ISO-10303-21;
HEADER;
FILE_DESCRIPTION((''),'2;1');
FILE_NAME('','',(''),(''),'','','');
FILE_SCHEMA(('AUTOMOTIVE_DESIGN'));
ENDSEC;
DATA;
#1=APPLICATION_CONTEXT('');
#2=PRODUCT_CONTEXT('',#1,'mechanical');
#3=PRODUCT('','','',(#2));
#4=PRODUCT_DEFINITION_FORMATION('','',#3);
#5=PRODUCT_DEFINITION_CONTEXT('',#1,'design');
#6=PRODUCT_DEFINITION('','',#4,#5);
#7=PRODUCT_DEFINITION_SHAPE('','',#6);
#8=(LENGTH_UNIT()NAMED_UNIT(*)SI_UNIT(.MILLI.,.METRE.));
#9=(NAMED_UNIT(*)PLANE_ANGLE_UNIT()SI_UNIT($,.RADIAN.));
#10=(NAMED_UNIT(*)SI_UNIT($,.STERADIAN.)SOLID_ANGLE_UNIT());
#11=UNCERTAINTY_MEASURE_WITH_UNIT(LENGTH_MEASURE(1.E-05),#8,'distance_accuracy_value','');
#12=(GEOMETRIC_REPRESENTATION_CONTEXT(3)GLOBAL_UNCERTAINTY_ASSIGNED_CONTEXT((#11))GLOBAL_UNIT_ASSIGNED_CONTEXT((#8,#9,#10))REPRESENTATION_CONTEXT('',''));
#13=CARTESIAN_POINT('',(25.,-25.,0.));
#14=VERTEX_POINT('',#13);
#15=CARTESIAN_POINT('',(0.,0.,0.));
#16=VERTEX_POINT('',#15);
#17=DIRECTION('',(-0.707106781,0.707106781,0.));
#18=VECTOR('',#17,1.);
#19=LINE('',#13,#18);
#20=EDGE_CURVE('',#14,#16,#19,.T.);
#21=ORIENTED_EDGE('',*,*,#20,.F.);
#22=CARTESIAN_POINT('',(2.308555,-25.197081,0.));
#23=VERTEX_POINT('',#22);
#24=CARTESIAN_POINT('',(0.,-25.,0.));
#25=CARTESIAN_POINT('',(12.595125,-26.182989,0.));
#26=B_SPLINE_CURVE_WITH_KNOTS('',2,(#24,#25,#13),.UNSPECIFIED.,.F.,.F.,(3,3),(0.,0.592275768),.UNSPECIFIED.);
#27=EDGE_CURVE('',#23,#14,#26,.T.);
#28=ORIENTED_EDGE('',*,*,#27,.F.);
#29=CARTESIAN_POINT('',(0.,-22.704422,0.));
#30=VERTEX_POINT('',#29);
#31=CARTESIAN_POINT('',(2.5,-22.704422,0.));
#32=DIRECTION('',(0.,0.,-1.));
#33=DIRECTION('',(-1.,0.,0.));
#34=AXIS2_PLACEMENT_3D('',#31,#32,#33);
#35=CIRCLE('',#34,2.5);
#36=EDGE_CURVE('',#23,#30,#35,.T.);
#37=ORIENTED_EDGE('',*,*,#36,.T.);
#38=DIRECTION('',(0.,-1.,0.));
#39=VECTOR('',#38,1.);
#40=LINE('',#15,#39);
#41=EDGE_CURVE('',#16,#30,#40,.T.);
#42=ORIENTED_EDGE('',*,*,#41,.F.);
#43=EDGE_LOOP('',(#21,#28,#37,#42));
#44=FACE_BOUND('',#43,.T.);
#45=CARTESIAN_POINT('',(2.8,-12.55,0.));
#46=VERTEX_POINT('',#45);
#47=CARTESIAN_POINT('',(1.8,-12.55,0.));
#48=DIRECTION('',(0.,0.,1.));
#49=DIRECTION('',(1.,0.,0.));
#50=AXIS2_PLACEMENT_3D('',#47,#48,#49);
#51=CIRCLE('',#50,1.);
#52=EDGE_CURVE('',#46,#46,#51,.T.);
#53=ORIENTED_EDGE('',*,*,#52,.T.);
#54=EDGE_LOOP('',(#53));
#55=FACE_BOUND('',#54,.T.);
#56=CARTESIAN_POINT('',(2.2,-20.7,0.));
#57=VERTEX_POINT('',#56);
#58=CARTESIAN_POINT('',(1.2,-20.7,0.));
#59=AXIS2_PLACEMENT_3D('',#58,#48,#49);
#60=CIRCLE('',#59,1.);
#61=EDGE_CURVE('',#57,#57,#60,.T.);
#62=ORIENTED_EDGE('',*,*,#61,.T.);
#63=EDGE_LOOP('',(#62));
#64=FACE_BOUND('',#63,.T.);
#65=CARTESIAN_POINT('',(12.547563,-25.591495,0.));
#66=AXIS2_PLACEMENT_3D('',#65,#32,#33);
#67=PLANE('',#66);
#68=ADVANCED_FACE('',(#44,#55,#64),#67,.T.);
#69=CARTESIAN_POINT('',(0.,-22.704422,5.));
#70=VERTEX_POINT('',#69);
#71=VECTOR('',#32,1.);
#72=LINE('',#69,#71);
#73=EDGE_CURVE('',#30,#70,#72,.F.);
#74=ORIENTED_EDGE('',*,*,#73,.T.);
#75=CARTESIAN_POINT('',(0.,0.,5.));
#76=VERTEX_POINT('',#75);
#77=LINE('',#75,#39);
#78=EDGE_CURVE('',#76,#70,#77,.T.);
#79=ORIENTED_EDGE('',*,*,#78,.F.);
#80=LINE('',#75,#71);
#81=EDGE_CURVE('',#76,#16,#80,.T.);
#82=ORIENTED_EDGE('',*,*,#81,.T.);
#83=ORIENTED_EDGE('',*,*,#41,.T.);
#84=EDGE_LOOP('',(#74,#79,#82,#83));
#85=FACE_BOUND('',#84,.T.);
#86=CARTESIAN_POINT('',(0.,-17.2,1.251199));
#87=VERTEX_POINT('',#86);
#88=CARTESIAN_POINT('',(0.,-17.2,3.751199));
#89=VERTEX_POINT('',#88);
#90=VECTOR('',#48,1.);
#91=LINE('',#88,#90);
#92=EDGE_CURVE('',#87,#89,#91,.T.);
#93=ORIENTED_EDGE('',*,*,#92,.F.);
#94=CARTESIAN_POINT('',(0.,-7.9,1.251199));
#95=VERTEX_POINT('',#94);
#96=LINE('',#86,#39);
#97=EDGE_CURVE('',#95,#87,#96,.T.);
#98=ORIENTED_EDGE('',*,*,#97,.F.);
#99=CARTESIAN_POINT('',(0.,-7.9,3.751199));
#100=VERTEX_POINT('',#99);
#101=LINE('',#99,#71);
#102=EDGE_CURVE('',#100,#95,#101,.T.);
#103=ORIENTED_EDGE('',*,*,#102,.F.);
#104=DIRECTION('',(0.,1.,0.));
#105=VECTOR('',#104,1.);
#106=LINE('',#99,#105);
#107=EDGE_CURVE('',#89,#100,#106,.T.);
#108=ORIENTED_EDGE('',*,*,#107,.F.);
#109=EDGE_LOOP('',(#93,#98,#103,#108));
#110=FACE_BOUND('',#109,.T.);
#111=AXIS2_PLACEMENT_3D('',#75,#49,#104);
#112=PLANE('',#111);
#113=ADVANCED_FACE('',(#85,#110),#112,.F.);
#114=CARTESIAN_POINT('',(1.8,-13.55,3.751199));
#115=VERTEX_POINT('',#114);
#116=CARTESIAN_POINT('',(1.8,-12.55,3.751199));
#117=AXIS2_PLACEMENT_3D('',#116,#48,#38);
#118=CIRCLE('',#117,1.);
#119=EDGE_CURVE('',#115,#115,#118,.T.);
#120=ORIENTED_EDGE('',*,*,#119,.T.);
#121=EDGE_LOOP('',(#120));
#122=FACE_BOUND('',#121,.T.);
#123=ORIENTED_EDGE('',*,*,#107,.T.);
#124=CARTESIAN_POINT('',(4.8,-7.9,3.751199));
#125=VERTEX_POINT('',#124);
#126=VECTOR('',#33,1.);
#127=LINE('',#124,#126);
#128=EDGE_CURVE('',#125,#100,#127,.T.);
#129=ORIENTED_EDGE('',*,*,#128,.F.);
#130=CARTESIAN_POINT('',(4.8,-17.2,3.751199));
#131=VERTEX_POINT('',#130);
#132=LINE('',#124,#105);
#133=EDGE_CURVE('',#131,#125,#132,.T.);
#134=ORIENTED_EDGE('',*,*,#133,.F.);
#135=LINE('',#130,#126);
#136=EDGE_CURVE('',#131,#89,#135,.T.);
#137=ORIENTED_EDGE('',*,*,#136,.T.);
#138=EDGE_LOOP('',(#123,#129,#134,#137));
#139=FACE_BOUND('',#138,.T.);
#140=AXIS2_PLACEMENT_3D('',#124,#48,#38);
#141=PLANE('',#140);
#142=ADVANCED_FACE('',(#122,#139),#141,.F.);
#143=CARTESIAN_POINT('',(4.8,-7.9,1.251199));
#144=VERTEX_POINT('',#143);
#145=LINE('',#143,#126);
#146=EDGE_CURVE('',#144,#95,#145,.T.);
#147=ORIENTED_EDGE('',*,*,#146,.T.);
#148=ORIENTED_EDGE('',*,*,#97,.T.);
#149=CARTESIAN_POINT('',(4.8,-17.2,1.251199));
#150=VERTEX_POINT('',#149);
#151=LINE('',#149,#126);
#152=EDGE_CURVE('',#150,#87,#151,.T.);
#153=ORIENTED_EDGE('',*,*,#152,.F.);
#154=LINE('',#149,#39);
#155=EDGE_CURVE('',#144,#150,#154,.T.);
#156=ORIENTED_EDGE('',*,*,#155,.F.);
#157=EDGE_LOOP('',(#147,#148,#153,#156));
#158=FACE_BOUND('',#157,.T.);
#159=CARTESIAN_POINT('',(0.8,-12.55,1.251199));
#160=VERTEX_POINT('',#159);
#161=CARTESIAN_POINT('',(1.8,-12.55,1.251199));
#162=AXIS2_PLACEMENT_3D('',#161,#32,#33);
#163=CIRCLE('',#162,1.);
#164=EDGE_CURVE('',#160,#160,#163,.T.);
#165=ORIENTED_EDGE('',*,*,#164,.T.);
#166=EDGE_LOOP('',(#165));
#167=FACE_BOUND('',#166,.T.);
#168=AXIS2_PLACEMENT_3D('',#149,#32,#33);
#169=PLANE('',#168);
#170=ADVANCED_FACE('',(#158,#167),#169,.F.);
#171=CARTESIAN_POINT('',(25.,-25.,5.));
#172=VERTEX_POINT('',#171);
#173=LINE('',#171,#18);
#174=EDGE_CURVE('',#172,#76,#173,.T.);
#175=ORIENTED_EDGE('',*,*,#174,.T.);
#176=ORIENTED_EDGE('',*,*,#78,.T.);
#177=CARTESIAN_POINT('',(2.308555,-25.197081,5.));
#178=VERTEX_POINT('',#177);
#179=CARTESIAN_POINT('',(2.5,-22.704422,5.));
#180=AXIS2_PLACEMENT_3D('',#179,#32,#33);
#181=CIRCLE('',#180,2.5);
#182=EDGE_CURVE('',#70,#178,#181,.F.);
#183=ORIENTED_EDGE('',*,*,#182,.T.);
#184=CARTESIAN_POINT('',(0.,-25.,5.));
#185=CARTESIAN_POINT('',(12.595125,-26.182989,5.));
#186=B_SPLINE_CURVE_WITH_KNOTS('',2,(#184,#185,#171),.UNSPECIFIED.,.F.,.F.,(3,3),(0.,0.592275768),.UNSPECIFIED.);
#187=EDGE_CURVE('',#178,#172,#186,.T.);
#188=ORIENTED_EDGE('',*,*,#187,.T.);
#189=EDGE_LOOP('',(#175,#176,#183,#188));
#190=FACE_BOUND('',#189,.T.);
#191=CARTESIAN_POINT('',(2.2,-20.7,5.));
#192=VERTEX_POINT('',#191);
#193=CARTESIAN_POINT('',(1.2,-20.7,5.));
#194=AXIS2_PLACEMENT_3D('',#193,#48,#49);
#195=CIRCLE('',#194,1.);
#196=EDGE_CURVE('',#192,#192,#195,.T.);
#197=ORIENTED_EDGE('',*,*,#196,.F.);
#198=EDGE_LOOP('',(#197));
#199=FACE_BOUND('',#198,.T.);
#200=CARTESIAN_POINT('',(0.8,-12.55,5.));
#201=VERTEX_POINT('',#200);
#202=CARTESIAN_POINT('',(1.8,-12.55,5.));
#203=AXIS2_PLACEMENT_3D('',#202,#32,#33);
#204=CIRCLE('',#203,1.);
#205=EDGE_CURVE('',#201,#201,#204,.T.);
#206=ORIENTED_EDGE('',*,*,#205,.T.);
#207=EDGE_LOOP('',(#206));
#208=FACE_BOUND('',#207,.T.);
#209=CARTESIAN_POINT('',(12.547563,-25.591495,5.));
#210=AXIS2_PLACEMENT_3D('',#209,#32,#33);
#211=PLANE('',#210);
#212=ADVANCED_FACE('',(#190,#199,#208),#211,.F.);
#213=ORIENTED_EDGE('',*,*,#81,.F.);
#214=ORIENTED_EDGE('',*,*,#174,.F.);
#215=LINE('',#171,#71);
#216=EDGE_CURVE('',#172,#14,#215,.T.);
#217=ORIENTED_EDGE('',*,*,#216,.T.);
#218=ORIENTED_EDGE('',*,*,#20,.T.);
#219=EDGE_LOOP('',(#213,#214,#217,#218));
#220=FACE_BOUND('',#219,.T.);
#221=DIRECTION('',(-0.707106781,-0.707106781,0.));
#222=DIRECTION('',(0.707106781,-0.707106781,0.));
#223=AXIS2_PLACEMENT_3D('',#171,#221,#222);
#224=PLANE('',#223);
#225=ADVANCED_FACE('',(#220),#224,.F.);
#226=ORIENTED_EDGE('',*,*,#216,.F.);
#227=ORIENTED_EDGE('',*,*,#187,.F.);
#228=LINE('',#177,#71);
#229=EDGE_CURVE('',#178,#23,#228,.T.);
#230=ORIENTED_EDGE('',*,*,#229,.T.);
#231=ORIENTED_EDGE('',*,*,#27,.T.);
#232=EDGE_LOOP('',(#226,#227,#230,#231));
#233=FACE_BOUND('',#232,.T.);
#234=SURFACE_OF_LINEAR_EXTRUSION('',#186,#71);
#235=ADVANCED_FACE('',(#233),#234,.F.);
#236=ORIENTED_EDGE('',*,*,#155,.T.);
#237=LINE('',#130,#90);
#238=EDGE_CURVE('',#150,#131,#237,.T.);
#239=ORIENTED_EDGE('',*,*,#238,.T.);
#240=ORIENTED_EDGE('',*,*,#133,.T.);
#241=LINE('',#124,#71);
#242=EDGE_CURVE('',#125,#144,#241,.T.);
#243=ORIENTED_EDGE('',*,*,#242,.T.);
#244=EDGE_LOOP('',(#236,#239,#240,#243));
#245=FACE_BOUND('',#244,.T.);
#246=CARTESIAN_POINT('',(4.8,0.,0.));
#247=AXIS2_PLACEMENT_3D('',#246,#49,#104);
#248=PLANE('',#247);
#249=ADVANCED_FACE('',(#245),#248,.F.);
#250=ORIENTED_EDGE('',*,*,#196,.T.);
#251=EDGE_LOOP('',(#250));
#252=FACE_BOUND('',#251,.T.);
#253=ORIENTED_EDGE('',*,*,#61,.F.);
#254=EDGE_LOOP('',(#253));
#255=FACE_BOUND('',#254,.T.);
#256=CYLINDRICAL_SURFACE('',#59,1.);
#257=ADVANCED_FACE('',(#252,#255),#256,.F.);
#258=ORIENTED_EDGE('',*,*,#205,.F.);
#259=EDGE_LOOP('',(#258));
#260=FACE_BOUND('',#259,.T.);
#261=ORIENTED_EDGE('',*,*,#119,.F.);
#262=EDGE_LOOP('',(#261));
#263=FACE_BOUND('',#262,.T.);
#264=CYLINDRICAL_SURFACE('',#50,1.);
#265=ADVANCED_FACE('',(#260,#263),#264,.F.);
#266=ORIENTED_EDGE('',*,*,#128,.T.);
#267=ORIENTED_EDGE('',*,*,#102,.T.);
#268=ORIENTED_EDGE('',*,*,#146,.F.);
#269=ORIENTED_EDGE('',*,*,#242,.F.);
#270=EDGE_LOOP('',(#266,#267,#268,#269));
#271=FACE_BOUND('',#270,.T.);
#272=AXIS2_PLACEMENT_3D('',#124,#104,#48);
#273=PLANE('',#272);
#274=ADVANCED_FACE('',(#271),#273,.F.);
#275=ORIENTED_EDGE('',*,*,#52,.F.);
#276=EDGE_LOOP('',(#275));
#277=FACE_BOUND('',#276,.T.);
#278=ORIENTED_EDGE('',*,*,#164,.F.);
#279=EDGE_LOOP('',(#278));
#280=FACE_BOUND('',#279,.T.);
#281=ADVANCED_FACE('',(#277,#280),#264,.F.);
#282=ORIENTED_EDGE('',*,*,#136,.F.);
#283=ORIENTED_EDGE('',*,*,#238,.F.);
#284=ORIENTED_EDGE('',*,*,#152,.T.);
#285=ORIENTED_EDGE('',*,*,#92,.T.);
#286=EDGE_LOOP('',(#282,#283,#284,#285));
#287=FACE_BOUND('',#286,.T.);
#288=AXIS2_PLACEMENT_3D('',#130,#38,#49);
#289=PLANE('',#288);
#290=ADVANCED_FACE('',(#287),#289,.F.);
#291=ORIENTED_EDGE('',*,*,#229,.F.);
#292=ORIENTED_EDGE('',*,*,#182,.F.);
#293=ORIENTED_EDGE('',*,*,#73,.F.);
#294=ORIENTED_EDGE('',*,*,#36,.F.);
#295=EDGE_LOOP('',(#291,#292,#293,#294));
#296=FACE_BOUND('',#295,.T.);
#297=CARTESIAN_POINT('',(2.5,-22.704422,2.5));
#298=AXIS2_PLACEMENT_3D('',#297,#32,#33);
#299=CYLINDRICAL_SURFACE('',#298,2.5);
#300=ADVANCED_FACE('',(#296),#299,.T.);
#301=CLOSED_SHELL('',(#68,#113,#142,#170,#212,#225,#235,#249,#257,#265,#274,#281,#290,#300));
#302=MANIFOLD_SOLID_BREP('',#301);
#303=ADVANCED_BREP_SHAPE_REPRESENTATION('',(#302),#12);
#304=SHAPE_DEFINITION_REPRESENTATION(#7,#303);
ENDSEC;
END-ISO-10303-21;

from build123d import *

# Parameters (mm, degrees)
SALIENTE_EXTRUIR1_DEPTH    = 5
CROQUIS3_R                 = 1
CORTAR_EXTRUIR1_DEPTH      = 5
REDONDEO2_R                = 2.5
CROQUIS4_W                 = 2.5
CROQUIS4_H                 = 9.3
CORTAR_EXTRUIR2_DEPTH      = 4.8
CORTAR_EXTRUIR3_DEPTH      = 37.123740235
CORTAR_EXTRUIR3_DEPTH_BACK = 37.123740235
CROQUIS5_R                 = 1


with BuildPart() as part:
    # Croquis2 → Saliente-Extruir1 (new body)
    with BuildSketch(Plane.XY):
        with BuildLine():
            Line((0, 0), (0, -25))
            add(Edge.make_bspline(
                [(0, -25), (12.595125448, -26.182989262), (25, -25)],
                knots=[0, 0, 0, 0.592275768, 0.592275768, 0.592275768], degree=2))
            Line((25, -25), (0, 0))
        make_face()
    extrude(amount=SALIENTE_EXTRUIR1_DEPTH)

    # Croquis3 → Cortar-Extruir1 (cut)
    with BuildSketch(Plane.XY.offset(5)):
        with Locations((1.2, -20.7)):
            Circle(CROQUIS3_R)
    extrude(amount=-CORTAR_EXTRUIR1_DEPTH, mode=Mode.SUBTRACT)

    # Redondeo2
    redondeo2_edges = [part.edges().sort_by_distance(p)[0] for p in [
        (0, -25, 2.5),
    ]]
    fillet(redondeo2_edges, radius=REDONDEO2_R)

    # Croquis4 → Cortar-Extruir2 (cut)
    with BuildSketch(Plane.ZY):
        with Locations((2.501199275, -12.55)):
            Rectangle(CROQUIS4_W, CROQUIS4_H)
    extrude(amount=-CORTAR_EXTRUIR2_DEPTH, mode=Mode.SUBTRACT)

    # Croquis5 → Cortar-Extruir3 (cut, two sides: drawn at the far end of the back side and taken through both)
    with BuildSketch(Plane.XY.offset(5).offset(-CORTAR_EXTRUIR3_DEPTH_BACK)):
        with Locations(Location((1.8, -12.55, 0), (0, 0, 270))):
            Circle(CROQUIS5_R)
    extrude(amount=CORTAR_EXTRUIR3_DEPTH + CORTAR_EXTRUIR3_DEPTH_BACK, mode=Mode.SUBTRACT)


solid = part.part
